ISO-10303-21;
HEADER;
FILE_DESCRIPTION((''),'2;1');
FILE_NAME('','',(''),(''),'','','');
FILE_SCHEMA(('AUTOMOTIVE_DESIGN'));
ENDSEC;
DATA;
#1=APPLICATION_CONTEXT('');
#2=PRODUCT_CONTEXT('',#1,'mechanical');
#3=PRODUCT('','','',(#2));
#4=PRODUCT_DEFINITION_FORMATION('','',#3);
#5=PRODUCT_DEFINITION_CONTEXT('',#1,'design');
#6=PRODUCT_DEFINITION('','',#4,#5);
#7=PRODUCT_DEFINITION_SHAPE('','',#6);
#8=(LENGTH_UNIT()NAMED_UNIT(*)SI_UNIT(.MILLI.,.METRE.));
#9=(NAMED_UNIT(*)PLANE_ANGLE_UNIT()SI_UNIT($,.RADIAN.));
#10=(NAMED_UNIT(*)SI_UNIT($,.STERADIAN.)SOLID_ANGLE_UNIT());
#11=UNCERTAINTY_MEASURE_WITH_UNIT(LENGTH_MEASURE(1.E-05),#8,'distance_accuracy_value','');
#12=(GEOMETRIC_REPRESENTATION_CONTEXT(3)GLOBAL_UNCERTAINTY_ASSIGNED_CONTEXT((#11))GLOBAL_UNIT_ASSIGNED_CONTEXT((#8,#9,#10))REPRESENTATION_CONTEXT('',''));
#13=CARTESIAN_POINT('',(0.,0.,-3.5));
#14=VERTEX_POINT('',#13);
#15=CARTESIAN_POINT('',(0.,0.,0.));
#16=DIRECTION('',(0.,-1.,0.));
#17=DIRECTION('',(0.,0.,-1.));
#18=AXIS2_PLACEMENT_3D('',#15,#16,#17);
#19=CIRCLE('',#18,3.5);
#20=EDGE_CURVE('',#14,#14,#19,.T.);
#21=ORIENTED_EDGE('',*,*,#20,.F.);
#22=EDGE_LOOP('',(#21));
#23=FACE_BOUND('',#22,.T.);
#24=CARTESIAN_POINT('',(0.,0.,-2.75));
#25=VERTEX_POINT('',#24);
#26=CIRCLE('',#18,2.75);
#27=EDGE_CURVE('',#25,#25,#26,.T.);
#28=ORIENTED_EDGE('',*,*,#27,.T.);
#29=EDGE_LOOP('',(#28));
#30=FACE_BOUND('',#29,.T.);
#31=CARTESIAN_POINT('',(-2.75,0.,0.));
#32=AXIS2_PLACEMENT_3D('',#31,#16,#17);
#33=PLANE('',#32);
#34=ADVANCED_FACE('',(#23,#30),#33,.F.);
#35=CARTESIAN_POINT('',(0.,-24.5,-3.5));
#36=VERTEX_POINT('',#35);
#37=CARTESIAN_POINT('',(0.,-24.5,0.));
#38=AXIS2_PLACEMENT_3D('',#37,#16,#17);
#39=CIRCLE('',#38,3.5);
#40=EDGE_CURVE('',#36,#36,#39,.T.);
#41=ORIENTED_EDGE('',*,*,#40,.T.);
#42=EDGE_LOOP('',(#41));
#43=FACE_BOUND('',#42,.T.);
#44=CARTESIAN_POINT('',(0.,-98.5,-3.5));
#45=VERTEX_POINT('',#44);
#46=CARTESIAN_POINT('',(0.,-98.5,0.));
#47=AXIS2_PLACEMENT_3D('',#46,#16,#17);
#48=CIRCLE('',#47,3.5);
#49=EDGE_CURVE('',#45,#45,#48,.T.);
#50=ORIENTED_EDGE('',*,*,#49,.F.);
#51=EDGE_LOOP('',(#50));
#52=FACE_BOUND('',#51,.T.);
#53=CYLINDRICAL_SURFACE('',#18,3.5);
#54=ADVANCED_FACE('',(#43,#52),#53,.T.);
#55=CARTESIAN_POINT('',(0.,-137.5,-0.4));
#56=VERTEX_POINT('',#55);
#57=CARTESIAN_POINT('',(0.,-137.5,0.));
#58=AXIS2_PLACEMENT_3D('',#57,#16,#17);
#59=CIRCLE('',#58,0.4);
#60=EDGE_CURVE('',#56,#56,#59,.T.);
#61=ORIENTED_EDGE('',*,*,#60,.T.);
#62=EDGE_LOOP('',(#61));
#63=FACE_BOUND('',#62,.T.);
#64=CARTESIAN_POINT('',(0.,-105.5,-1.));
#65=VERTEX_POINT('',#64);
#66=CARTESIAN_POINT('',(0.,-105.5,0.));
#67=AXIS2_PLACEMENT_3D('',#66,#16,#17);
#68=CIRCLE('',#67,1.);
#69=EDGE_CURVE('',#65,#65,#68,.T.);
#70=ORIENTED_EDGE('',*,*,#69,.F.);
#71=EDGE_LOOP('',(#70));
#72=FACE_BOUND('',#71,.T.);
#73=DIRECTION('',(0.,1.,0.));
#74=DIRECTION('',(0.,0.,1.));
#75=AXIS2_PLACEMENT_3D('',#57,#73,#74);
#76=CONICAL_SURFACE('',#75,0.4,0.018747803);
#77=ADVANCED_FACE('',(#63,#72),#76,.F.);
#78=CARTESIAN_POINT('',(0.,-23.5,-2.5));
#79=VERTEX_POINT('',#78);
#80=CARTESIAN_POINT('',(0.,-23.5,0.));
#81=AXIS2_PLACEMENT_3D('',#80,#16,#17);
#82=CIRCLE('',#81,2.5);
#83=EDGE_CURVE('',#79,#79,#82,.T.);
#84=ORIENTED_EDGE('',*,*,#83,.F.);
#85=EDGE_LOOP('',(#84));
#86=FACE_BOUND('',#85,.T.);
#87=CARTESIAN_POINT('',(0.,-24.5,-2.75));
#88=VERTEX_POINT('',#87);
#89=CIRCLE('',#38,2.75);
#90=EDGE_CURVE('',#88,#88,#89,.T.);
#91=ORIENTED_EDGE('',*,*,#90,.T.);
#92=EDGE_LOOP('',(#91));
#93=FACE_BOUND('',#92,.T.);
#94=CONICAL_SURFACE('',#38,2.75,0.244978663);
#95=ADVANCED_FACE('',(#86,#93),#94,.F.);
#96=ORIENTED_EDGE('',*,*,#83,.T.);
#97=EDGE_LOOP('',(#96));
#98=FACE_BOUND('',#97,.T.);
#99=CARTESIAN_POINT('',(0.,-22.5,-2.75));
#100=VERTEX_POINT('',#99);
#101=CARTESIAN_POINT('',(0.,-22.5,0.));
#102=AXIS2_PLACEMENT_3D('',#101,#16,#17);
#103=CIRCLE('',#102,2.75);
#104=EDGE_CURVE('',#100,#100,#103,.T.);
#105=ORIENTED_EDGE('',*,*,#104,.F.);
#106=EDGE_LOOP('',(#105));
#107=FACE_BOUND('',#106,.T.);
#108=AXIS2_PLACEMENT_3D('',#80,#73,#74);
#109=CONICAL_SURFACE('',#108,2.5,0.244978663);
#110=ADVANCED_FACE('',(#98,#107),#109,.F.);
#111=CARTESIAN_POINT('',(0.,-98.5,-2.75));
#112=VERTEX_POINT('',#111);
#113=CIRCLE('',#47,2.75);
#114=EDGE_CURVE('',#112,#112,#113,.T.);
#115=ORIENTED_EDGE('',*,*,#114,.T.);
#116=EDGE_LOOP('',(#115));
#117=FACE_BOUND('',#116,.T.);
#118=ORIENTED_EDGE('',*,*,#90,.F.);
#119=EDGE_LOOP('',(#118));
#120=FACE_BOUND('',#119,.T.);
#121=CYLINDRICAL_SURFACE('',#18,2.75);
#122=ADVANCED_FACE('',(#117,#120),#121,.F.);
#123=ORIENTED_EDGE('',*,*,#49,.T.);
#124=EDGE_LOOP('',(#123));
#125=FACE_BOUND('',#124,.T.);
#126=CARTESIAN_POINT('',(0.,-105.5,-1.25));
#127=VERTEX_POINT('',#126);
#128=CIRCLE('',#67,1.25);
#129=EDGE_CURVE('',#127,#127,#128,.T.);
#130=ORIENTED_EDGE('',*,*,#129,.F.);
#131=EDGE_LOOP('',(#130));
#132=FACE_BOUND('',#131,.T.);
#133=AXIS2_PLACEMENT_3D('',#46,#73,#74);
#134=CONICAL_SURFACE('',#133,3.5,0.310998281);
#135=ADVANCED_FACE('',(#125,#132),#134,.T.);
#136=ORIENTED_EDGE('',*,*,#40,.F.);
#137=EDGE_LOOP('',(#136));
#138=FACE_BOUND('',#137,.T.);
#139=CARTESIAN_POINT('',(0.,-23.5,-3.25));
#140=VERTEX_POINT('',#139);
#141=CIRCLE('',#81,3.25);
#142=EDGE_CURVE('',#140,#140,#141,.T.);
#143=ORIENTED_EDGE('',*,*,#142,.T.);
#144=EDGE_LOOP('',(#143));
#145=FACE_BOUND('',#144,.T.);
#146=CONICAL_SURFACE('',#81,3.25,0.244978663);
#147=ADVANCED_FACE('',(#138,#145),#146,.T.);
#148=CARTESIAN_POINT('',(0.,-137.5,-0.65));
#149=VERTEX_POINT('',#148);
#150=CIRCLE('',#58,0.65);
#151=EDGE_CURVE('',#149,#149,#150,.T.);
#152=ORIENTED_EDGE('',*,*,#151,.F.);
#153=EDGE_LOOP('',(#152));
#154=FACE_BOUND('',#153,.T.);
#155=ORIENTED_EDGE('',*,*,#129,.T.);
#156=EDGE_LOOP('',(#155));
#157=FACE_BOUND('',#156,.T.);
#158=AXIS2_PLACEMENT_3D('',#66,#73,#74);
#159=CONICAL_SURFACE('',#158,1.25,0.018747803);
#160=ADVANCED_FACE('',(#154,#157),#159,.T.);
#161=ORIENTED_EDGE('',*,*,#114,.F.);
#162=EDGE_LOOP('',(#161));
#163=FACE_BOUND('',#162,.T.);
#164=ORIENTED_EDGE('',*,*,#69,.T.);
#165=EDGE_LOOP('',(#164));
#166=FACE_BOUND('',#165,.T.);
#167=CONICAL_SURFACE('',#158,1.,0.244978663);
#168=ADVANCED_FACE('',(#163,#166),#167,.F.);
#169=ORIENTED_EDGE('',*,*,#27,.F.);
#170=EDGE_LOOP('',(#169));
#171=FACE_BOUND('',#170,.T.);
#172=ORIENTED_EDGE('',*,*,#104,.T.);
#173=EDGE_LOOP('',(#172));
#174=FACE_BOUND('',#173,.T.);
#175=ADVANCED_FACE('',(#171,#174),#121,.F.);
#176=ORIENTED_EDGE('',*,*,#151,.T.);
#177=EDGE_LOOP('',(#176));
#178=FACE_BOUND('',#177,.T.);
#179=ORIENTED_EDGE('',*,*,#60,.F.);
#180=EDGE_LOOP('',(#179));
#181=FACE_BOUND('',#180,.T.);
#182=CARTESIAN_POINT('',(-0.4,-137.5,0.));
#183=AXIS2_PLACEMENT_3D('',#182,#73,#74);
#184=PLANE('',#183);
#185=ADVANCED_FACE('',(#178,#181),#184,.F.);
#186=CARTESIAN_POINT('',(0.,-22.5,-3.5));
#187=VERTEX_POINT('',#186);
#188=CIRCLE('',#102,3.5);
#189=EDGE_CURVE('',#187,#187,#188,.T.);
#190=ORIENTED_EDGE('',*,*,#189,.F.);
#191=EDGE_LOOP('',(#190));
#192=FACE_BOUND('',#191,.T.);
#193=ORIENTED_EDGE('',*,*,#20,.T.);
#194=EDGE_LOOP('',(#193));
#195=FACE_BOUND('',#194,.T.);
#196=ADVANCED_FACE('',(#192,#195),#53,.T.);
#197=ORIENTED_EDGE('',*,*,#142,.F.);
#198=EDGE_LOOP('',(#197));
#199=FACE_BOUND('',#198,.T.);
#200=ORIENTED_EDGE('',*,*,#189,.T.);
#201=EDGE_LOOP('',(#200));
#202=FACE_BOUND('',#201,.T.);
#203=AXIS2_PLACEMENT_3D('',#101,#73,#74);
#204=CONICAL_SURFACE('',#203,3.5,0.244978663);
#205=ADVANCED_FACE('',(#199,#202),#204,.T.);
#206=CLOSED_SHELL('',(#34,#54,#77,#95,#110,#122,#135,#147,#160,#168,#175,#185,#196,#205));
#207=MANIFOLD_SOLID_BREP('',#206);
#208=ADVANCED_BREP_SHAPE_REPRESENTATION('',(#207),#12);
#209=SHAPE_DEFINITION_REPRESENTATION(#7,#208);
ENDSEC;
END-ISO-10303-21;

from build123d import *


with BuildPart() as part:
    # Skizze1 → Rotation1 (revolve)
    with BuildSketch(Plane.XY, mode=Mode.PRIVATE) as rotation1_sk:
        Polygon((-2.75, 0), (-2.75, -22.5), (-2.5, -23.5), (-2.75, -24.5), (-2.75, -98.5), (-1, -105.5), (-0.4, -137.5), (-0.65, -137.5), (-1.25, -105.5), (-3.5, -98.5), (-3.5, -24.5), (-3.25, -23.5), (-3.5, -22.5), (-3.5, 0), align=None)
    revolve(rotation1_sk.sketch.rotate(Axis((0, 0, 0), (0, 1, 0)), 270), axis=Axis((0, 0, 0), (0, 1, 0)))


solid = part.part
